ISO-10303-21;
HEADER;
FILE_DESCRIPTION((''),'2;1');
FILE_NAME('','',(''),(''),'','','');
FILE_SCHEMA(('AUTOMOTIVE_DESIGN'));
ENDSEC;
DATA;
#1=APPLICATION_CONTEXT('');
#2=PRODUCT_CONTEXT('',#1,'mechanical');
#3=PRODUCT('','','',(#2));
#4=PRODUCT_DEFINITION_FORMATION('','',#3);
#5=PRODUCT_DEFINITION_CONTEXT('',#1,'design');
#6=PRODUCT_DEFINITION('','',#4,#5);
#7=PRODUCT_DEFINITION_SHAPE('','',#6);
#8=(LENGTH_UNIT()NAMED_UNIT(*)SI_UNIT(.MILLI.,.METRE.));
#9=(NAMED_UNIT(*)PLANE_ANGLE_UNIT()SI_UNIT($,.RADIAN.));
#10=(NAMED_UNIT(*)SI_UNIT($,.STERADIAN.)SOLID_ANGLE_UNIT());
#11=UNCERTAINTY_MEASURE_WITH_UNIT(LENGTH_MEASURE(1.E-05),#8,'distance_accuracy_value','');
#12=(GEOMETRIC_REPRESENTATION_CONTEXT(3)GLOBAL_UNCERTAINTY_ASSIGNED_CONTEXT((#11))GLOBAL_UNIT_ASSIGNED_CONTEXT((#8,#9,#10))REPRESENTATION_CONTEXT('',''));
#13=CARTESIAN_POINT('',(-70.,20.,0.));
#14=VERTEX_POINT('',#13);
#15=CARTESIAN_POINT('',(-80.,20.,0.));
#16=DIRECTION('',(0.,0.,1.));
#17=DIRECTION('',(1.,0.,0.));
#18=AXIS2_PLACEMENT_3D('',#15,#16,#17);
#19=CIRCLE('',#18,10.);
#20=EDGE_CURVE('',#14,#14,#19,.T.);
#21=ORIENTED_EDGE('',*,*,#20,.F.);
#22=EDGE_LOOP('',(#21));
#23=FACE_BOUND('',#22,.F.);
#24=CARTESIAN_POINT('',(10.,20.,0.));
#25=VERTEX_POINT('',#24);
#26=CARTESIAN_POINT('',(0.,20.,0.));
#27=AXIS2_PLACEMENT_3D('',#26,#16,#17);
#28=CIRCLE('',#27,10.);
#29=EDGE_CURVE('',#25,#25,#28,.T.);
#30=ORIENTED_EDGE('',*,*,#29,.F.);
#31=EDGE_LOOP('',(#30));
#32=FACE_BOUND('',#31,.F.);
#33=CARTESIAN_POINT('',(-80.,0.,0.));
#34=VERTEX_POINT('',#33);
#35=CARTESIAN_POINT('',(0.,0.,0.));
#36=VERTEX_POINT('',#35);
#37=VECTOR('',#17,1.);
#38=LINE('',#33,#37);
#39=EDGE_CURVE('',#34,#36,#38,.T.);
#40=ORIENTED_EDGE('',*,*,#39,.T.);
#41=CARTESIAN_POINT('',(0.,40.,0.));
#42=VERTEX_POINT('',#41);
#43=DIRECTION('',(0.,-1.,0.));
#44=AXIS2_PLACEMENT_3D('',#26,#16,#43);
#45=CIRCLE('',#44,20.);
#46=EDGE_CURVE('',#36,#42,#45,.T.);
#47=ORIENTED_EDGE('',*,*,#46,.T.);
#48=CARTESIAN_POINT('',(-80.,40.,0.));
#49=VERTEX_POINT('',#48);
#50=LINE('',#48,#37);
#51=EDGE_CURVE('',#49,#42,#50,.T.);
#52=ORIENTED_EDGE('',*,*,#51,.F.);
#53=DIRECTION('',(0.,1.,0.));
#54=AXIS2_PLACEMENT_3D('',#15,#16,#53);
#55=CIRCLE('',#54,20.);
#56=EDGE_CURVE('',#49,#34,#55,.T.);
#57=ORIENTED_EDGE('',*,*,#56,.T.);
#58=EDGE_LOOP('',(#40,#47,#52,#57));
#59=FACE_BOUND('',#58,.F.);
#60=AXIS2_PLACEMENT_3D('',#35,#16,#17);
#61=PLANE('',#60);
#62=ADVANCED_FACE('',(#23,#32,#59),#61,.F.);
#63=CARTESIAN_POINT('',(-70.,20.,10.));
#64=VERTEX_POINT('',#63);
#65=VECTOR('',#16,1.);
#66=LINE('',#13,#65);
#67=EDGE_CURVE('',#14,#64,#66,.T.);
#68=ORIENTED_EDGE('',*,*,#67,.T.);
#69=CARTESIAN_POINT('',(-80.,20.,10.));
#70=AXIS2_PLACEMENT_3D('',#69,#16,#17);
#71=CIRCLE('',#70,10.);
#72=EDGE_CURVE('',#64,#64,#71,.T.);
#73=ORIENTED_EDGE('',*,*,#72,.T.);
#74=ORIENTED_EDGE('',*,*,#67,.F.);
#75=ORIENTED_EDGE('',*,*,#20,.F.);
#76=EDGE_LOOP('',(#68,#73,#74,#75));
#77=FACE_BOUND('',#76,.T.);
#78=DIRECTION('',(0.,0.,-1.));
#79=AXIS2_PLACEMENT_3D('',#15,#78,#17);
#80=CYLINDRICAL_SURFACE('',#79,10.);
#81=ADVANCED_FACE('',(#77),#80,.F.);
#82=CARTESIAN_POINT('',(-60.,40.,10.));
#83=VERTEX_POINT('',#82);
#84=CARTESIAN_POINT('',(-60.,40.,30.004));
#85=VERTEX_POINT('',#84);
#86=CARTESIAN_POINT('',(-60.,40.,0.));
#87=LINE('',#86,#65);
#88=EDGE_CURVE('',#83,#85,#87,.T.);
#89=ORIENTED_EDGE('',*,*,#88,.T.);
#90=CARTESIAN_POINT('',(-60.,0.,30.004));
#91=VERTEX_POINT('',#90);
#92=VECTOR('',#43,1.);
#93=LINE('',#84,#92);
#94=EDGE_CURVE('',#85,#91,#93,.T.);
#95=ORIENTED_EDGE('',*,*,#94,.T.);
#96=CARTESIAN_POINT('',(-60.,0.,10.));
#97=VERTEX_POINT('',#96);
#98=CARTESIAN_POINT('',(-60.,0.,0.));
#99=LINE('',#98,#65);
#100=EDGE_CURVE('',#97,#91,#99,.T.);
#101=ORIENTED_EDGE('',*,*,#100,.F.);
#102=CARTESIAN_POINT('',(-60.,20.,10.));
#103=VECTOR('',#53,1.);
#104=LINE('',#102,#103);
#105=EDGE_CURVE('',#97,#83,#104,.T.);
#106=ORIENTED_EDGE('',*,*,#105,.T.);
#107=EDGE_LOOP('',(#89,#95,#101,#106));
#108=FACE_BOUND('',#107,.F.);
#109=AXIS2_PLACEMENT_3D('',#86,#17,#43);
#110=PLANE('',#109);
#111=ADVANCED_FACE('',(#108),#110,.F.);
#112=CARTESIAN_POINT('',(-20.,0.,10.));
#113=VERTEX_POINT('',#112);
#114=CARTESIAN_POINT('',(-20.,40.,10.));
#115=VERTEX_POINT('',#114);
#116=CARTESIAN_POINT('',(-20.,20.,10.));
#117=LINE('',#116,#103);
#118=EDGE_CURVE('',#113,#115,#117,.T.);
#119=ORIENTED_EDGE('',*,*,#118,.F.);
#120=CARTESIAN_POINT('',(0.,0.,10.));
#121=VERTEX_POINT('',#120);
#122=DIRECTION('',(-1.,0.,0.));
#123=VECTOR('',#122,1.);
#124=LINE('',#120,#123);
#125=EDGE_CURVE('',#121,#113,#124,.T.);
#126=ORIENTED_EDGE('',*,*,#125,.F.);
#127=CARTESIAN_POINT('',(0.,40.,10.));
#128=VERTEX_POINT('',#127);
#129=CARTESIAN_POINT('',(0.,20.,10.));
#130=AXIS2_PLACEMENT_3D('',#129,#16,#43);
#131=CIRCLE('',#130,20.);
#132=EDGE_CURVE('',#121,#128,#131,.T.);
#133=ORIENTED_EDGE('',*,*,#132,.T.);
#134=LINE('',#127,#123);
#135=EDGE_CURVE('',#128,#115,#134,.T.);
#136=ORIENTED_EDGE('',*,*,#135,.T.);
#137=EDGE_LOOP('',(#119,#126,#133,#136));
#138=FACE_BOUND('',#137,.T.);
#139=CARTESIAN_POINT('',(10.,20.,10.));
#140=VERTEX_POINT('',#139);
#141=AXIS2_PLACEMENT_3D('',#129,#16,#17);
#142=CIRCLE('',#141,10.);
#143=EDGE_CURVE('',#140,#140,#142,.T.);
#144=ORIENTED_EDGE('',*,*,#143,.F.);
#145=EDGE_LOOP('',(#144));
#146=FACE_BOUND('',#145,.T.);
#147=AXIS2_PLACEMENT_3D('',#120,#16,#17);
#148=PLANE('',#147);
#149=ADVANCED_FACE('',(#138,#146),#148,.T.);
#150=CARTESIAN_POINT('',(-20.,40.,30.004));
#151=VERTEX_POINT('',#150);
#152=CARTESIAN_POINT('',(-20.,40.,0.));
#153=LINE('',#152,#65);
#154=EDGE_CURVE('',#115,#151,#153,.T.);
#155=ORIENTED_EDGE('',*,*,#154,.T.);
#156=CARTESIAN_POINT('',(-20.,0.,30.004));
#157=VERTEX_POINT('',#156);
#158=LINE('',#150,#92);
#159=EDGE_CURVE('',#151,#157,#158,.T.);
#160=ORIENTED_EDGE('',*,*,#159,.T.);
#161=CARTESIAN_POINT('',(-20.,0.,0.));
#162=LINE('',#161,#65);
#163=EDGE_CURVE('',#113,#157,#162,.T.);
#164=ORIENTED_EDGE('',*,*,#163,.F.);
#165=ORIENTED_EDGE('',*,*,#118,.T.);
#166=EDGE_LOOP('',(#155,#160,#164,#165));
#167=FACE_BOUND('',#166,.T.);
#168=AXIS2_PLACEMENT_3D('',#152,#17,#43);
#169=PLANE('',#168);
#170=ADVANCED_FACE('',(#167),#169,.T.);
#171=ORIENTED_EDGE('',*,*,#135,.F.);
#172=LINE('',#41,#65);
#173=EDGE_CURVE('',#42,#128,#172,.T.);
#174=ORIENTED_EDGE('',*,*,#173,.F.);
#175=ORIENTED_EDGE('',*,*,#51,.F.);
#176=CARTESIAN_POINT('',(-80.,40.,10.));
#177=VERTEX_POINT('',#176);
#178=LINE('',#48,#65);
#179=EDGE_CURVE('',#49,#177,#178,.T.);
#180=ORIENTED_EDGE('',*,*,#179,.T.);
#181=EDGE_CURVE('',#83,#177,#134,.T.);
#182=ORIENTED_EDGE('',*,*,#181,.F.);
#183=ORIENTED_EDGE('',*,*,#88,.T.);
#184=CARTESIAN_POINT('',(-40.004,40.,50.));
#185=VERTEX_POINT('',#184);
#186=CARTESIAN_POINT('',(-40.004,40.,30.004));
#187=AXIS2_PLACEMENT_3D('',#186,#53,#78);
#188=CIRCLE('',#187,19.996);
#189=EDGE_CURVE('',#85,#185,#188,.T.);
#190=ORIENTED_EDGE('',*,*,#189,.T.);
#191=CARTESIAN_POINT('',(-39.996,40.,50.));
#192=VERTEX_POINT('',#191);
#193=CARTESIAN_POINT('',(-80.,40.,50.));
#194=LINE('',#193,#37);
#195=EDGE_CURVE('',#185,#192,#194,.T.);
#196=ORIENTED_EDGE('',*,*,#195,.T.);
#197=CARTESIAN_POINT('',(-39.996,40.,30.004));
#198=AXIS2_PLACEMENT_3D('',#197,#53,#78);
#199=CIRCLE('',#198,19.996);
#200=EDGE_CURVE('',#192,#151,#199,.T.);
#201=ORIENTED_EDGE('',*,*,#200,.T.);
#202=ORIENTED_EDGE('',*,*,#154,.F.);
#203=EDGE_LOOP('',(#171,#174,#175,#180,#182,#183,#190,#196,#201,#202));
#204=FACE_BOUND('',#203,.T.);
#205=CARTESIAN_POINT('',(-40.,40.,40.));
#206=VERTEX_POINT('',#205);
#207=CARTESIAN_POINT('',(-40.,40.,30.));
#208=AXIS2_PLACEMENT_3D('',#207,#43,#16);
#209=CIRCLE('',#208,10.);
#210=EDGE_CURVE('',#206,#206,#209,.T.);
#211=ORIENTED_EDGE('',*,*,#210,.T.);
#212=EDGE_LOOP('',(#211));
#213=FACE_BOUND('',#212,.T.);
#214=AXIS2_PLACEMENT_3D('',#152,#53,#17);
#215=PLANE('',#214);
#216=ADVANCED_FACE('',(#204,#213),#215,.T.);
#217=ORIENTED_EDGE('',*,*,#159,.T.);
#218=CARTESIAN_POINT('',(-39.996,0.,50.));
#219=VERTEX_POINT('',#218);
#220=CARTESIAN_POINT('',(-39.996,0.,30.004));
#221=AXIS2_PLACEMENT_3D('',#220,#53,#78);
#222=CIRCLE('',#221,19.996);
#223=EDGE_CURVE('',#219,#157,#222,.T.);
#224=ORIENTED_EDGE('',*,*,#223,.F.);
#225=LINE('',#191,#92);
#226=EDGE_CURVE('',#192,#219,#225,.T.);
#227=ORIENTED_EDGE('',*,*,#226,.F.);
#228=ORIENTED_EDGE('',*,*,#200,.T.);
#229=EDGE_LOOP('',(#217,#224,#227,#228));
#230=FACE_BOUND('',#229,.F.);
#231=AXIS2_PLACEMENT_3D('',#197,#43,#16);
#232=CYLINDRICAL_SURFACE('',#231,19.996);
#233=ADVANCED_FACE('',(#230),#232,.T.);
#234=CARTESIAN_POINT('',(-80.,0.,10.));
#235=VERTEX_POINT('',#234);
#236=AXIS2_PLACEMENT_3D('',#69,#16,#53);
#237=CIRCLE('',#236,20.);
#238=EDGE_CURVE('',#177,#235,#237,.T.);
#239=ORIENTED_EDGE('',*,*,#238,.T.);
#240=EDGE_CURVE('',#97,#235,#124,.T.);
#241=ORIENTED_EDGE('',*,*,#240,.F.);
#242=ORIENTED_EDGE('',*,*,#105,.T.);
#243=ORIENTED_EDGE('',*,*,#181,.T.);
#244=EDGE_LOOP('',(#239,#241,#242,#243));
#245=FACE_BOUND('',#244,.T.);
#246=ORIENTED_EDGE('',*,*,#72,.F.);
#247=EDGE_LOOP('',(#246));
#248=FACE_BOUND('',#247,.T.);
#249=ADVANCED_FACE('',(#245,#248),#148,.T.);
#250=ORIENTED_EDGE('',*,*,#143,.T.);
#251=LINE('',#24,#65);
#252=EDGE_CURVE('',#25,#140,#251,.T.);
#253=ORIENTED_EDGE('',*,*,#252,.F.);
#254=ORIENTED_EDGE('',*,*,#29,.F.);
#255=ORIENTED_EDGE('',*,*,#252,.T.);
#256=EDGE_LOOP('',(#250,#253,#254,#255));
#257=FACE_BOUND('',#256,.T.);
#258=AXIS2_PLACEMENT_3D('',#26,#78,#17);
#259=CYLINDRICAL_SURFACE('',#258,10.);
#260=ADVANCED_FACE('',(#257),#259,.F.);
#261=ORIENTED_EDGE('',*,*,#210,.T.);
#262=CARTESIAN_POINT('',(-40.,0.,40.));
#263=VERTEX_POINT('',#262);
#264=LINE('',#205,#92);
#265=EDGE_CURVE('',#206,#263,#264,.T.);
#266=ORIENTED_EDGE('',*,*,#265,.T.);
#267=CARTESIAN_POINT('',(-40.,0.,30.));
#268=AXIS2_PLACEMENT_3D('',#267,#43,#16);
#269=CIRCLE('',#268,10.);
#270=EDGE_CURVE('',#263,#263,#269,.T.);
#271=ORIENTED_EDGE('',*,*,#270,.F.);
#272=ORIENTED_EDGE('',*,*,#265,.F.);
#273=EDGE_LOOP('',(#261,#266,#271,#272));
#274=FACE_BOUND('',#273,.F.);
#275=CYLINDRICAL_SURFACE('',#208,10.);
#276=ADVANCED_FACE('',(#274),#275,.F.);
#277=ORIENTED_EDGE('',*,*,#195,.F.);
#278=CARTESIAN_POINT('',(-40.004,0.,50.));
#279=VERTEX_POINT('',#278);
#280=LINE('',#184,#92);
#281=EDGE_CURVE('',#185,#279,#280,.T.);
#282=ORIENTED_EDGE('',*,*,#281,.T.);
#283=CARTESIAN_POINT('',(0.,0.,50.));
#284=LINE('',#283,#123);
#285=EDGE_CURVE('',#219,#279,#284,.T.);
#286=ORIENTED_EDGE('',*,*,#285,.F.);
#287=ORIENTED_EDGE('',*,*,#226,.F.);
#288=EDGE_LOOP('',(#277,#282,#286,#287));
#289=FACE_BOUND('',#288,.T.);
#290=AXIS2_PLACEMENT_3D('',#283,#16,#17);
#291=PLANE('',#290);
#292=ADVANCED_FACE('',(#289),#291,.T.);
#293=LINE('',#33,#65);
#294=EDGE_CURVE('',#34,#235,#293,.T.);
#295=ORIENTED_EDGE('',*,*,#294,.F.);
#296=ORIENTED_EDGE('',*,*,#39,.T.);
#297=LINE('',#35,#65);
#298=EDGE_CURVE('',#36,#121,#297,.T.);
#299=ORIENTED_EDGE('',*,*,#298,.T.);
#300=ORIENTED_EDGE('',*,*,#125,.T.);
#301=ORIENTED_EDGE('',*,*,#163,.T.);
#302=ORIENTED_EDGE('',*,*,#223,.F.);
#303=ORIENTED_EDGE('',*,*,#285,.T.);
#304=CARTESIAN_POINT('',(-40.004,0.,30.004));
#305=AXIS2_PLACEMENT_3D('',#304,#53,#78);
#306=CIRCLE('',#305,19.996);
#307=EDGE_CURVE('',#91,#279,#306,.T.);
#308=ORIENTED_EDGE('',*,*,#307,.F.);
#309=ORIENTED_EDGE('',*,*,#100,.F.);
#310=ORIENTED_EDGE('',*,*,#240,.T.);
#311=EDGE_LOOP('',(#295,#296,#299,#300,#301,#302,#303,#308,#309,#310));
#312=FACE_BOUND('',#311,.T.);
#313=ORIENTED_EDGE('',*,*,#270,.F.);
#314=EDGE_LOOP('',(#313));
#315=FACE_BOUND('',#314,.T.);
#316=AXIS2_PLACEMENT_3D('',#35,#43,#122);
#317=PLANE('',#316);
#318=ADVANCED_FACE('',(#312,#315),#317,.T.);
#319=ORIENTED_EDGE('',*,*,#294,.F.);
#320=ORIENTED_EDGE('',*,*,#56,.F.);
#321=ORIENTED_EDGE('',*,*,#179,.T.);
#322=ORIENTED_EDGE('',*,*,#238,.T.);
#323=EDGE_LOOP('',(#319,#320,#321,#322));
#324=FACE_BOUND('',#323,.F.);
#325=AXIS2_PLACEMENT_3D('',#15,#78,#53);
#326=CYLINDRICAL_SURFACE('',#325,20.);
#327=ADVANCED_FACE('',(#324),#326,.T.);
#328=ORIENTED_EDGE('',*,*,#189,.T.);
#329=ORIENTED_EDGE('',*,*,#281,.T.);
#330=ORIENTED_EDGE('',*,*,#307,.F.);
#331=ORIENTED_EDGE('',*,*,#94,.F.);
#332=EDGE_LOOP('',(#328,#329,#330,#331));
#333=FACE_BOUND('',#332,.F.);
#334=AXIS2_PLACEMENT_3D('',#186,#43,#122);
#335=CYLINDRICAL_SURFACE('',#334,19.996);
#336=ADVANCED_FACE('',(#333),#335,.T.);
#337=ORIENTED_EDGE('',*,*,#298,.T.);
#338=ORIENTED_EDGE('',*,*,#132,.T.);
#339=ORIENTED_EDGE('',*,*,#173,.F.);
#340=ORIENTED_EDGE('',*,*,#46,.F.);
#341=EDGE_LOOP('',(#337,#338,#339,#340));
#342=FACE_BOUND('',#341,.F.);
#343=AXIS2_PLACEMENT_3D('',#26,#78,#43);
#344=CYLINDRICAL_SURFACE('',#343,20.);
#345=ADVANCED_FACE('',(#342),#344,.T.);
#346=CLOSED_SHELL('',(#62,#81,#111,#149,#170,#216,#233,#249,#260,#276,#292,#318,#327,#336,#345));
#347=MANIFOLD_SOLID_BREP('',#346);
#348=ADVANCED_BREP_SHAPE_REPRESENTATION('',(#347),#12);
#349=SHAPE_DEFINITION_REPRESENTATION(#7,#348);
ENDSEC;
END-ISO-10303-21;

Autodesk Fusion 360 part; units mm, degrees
sketch "top view" plane through (0, 0, 0) normal (0, 0, 1) x (1, 0, 0)
  line L0 (0, 0) -> (-80, 0)
  line L1 (-80, 0) -> (-80, 40) construction
  line L2 (-80, 40) -> (0, 40)
  arc A0 (-80, 40) -> (-80, 0) centre (-80, 20) ccw
  arc A1 (0, 0) -> (0, 40) centre (0, 20) ccw
  line L3 (-80, 20) -> (0, 20) construction
  line L4 (-60, 40) -> (-60, 0)
  line L5 (-20, 40) -> (-20, 0)
  circle A2 centre (-80, 20) radius 10
  circle A3 centre (0, 20) radius 10
  dimension "d1" = 40
  dimension "d2" = 80
extrude "Extrude1" add sketch "top view" along normal blind 10
extrude "Extrude2" add sketch "top view" along normal blind 50 contours L0 L2 L4 L5
fillet "Fillet1" radius 20 2 edges at (-20, 20, 50) (-60, 20, 50)
hole "Hole2" at (-40, 40, 30) direction (0, -1, 0) diameter 20 end through all
equation "d2 = 20 mm + 40 mm + 20 mm"
